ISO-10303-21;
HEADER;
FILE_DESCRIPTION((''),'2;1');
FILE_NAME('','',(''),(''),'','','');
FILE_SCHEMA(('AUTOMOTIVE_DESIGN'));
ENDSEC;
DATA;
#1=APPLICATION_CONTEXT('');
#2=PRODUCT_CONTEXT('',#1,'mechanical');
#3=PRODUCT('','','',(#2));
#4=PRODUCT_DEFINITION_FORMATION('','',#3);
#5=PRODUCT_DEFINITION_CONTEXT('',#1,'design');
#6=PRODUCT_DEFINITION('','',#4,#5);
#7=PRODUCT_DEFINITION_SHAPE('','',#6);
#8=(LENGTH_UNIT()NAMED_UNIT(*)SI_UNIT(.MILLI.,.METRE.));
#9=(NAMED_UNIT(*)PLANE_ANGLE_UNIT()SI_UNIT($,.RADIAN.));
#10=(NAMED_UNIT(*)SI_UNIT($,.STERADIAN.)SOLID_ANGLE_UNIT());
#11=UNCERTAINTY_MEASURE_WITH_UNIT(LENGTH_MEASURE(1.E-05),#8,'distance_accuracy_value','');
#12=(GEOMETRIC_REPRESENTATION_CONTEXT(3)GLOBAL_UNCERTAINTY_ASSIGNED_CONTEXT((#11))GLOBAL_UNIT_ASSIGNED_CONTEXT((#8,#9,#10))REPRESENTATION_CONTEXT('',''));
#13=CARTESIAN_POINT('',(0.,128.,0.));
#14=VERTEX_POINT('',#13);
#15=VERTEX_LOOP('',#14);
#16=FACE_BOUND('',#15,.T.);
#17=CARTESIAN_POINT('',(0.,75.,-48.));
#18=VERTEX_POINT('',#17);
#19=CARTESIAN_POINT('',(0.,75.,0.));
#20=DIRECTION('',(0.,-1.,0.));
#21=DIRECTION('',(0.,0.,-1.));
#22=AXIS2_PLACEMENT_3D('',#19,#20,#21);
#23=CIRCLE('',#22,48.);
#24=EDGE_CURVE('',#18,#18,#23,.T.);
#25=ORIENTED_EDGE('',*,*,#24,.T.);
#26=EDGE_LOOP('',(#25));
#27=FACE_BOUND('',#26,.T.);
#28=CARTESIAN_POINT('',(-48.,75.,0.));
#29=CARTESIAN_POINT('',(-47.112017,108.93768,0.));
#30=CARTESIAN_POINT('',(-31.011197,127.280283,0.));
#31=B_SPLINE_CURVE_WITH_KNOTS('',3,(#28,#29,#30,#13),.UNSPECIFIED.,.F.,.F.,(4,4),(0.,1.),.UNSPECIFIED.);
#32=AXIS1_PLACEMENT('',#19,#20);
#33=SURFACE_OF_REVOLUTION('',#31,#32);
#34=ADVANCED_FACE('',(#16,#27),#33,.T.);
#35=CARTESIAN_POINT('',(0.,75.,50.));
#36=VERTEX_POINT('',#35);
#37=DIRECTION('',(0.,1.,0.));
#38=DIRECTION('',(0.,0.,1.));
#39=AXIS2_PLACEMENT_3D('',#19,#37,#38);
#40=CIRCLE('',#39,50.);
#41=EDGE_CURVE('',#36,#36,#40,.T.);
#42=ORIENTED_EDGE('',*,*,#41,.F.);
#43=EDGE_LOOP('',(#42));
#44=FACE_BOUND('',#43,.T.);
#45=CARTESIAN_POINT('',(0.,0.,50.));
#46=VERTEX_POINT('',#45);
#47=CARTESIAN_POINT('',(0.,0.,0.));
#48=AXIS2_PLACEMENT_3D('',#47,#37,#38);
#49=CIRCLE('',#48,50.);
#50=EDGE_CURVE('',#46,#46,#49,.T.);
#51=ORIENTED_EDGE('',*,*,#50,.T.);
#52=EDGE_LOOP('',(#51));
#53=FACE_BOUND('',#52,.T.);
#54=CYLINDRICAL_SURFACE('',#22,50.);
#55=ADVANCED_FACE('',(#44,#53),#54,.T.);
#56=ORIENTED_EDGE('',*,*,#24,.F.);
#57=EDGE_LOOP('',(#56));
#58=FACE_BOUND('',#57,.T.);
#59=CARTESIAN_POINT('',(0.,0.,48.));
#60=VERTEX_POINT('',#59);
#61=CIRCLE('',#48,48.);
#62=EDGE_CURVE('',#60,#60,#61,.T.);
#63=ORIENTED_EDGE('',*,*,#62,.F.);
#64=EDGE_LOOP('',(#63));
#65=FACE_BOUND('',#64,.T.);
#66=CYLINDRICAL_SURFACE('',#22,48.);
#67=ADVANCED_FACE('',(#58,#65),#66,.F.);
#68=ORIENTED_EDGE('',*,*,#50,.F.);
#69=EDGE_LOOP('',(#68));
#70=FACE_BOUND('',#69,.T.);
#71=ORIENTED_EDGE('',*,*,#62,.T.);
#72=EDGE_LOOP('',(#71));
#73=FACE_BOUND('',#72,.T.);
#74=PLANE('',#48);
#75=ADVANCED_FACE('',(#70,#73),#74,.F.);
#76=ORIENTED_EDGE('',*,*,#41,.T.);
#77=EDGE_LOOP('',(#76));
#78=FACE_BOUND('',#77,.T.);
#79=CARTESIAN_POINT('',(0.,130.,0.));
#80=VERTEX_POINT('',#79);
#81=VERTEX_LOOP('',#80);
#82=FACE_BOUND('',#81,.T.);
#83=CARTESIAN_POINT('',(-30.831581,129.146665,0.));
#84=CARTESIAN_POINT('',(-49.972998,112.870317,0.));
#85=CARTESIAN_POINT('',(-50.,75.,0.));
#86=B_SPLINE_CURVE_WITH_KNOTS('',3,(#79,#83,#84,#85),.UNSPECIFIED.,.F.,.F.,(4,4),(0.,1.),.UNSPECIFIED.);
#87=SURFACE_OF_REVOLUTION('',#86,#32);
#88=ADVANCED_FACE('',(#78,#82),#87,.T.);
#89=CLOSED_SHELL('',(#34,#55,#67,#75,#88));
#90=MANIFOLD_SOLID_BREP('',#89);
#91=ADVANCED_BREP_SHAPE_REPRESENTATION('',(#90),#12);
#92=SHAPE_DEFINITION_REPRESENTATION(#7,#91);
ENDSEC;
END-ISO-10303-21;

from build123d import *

# Parameters (mm, degrees)
SKETCH_1_R      = 50
SKETCH_1_R_2    = 48
EXTRUDE_1_DEPTH = 75


with BuildPart() as part:
    # 草图1 → 凸台-拉伸1 (new body)
    with BuildSketch(Plane(origin=(0, 0, 0), x_dir=(1, 0, 0), z_dir=(0, 1, 0))):
        with Locations(Location((0, 0, 0), (0, 0, 270))):
            Circle(SKETCH_1_R)
        with Locations(Location((0, 0, 0), (0, 0, 270))):
            Circle(SKETCH_1_R_2, mode=Mode.SUBTRACT)
    extrude(amount=EXTRUDE_1_DEPTH)

    # 草图3 → 旋转1 (revolve)
    with BuildSketch(Plane.XY, mode=Mode.PRIVATE) as revolve_1_sk:
        with BuildLine():
            Line((-50, 75), (-48, 75))
            add(Edge.make_bspline(
                [(-48, 75), (-47.112017253, 108.93768045), (-31.011197494, 127.280282942), (0, 128)],
                knots=[0, 0, 0, 0, 1, 1, 1, 1], degree=3))
            Line((0, 128), (0, 130))
            add(Edge.make_bspline(
                [(-50, 75), (-49.972998102, 112.870317105), (-30.831581261, 129.146665144), (0, 130)],
                knots=[0, 0, 0, 0, 1, 1, 1, 1], degree=3))
        make_face()
    revolve(revolve_1_sk.sketch.rotate(Axis((0, 75, 0), (0, 1, 0)), 270), axis=Axis((0, 75, 0), (0, 1, 0)))


solid = part.part
